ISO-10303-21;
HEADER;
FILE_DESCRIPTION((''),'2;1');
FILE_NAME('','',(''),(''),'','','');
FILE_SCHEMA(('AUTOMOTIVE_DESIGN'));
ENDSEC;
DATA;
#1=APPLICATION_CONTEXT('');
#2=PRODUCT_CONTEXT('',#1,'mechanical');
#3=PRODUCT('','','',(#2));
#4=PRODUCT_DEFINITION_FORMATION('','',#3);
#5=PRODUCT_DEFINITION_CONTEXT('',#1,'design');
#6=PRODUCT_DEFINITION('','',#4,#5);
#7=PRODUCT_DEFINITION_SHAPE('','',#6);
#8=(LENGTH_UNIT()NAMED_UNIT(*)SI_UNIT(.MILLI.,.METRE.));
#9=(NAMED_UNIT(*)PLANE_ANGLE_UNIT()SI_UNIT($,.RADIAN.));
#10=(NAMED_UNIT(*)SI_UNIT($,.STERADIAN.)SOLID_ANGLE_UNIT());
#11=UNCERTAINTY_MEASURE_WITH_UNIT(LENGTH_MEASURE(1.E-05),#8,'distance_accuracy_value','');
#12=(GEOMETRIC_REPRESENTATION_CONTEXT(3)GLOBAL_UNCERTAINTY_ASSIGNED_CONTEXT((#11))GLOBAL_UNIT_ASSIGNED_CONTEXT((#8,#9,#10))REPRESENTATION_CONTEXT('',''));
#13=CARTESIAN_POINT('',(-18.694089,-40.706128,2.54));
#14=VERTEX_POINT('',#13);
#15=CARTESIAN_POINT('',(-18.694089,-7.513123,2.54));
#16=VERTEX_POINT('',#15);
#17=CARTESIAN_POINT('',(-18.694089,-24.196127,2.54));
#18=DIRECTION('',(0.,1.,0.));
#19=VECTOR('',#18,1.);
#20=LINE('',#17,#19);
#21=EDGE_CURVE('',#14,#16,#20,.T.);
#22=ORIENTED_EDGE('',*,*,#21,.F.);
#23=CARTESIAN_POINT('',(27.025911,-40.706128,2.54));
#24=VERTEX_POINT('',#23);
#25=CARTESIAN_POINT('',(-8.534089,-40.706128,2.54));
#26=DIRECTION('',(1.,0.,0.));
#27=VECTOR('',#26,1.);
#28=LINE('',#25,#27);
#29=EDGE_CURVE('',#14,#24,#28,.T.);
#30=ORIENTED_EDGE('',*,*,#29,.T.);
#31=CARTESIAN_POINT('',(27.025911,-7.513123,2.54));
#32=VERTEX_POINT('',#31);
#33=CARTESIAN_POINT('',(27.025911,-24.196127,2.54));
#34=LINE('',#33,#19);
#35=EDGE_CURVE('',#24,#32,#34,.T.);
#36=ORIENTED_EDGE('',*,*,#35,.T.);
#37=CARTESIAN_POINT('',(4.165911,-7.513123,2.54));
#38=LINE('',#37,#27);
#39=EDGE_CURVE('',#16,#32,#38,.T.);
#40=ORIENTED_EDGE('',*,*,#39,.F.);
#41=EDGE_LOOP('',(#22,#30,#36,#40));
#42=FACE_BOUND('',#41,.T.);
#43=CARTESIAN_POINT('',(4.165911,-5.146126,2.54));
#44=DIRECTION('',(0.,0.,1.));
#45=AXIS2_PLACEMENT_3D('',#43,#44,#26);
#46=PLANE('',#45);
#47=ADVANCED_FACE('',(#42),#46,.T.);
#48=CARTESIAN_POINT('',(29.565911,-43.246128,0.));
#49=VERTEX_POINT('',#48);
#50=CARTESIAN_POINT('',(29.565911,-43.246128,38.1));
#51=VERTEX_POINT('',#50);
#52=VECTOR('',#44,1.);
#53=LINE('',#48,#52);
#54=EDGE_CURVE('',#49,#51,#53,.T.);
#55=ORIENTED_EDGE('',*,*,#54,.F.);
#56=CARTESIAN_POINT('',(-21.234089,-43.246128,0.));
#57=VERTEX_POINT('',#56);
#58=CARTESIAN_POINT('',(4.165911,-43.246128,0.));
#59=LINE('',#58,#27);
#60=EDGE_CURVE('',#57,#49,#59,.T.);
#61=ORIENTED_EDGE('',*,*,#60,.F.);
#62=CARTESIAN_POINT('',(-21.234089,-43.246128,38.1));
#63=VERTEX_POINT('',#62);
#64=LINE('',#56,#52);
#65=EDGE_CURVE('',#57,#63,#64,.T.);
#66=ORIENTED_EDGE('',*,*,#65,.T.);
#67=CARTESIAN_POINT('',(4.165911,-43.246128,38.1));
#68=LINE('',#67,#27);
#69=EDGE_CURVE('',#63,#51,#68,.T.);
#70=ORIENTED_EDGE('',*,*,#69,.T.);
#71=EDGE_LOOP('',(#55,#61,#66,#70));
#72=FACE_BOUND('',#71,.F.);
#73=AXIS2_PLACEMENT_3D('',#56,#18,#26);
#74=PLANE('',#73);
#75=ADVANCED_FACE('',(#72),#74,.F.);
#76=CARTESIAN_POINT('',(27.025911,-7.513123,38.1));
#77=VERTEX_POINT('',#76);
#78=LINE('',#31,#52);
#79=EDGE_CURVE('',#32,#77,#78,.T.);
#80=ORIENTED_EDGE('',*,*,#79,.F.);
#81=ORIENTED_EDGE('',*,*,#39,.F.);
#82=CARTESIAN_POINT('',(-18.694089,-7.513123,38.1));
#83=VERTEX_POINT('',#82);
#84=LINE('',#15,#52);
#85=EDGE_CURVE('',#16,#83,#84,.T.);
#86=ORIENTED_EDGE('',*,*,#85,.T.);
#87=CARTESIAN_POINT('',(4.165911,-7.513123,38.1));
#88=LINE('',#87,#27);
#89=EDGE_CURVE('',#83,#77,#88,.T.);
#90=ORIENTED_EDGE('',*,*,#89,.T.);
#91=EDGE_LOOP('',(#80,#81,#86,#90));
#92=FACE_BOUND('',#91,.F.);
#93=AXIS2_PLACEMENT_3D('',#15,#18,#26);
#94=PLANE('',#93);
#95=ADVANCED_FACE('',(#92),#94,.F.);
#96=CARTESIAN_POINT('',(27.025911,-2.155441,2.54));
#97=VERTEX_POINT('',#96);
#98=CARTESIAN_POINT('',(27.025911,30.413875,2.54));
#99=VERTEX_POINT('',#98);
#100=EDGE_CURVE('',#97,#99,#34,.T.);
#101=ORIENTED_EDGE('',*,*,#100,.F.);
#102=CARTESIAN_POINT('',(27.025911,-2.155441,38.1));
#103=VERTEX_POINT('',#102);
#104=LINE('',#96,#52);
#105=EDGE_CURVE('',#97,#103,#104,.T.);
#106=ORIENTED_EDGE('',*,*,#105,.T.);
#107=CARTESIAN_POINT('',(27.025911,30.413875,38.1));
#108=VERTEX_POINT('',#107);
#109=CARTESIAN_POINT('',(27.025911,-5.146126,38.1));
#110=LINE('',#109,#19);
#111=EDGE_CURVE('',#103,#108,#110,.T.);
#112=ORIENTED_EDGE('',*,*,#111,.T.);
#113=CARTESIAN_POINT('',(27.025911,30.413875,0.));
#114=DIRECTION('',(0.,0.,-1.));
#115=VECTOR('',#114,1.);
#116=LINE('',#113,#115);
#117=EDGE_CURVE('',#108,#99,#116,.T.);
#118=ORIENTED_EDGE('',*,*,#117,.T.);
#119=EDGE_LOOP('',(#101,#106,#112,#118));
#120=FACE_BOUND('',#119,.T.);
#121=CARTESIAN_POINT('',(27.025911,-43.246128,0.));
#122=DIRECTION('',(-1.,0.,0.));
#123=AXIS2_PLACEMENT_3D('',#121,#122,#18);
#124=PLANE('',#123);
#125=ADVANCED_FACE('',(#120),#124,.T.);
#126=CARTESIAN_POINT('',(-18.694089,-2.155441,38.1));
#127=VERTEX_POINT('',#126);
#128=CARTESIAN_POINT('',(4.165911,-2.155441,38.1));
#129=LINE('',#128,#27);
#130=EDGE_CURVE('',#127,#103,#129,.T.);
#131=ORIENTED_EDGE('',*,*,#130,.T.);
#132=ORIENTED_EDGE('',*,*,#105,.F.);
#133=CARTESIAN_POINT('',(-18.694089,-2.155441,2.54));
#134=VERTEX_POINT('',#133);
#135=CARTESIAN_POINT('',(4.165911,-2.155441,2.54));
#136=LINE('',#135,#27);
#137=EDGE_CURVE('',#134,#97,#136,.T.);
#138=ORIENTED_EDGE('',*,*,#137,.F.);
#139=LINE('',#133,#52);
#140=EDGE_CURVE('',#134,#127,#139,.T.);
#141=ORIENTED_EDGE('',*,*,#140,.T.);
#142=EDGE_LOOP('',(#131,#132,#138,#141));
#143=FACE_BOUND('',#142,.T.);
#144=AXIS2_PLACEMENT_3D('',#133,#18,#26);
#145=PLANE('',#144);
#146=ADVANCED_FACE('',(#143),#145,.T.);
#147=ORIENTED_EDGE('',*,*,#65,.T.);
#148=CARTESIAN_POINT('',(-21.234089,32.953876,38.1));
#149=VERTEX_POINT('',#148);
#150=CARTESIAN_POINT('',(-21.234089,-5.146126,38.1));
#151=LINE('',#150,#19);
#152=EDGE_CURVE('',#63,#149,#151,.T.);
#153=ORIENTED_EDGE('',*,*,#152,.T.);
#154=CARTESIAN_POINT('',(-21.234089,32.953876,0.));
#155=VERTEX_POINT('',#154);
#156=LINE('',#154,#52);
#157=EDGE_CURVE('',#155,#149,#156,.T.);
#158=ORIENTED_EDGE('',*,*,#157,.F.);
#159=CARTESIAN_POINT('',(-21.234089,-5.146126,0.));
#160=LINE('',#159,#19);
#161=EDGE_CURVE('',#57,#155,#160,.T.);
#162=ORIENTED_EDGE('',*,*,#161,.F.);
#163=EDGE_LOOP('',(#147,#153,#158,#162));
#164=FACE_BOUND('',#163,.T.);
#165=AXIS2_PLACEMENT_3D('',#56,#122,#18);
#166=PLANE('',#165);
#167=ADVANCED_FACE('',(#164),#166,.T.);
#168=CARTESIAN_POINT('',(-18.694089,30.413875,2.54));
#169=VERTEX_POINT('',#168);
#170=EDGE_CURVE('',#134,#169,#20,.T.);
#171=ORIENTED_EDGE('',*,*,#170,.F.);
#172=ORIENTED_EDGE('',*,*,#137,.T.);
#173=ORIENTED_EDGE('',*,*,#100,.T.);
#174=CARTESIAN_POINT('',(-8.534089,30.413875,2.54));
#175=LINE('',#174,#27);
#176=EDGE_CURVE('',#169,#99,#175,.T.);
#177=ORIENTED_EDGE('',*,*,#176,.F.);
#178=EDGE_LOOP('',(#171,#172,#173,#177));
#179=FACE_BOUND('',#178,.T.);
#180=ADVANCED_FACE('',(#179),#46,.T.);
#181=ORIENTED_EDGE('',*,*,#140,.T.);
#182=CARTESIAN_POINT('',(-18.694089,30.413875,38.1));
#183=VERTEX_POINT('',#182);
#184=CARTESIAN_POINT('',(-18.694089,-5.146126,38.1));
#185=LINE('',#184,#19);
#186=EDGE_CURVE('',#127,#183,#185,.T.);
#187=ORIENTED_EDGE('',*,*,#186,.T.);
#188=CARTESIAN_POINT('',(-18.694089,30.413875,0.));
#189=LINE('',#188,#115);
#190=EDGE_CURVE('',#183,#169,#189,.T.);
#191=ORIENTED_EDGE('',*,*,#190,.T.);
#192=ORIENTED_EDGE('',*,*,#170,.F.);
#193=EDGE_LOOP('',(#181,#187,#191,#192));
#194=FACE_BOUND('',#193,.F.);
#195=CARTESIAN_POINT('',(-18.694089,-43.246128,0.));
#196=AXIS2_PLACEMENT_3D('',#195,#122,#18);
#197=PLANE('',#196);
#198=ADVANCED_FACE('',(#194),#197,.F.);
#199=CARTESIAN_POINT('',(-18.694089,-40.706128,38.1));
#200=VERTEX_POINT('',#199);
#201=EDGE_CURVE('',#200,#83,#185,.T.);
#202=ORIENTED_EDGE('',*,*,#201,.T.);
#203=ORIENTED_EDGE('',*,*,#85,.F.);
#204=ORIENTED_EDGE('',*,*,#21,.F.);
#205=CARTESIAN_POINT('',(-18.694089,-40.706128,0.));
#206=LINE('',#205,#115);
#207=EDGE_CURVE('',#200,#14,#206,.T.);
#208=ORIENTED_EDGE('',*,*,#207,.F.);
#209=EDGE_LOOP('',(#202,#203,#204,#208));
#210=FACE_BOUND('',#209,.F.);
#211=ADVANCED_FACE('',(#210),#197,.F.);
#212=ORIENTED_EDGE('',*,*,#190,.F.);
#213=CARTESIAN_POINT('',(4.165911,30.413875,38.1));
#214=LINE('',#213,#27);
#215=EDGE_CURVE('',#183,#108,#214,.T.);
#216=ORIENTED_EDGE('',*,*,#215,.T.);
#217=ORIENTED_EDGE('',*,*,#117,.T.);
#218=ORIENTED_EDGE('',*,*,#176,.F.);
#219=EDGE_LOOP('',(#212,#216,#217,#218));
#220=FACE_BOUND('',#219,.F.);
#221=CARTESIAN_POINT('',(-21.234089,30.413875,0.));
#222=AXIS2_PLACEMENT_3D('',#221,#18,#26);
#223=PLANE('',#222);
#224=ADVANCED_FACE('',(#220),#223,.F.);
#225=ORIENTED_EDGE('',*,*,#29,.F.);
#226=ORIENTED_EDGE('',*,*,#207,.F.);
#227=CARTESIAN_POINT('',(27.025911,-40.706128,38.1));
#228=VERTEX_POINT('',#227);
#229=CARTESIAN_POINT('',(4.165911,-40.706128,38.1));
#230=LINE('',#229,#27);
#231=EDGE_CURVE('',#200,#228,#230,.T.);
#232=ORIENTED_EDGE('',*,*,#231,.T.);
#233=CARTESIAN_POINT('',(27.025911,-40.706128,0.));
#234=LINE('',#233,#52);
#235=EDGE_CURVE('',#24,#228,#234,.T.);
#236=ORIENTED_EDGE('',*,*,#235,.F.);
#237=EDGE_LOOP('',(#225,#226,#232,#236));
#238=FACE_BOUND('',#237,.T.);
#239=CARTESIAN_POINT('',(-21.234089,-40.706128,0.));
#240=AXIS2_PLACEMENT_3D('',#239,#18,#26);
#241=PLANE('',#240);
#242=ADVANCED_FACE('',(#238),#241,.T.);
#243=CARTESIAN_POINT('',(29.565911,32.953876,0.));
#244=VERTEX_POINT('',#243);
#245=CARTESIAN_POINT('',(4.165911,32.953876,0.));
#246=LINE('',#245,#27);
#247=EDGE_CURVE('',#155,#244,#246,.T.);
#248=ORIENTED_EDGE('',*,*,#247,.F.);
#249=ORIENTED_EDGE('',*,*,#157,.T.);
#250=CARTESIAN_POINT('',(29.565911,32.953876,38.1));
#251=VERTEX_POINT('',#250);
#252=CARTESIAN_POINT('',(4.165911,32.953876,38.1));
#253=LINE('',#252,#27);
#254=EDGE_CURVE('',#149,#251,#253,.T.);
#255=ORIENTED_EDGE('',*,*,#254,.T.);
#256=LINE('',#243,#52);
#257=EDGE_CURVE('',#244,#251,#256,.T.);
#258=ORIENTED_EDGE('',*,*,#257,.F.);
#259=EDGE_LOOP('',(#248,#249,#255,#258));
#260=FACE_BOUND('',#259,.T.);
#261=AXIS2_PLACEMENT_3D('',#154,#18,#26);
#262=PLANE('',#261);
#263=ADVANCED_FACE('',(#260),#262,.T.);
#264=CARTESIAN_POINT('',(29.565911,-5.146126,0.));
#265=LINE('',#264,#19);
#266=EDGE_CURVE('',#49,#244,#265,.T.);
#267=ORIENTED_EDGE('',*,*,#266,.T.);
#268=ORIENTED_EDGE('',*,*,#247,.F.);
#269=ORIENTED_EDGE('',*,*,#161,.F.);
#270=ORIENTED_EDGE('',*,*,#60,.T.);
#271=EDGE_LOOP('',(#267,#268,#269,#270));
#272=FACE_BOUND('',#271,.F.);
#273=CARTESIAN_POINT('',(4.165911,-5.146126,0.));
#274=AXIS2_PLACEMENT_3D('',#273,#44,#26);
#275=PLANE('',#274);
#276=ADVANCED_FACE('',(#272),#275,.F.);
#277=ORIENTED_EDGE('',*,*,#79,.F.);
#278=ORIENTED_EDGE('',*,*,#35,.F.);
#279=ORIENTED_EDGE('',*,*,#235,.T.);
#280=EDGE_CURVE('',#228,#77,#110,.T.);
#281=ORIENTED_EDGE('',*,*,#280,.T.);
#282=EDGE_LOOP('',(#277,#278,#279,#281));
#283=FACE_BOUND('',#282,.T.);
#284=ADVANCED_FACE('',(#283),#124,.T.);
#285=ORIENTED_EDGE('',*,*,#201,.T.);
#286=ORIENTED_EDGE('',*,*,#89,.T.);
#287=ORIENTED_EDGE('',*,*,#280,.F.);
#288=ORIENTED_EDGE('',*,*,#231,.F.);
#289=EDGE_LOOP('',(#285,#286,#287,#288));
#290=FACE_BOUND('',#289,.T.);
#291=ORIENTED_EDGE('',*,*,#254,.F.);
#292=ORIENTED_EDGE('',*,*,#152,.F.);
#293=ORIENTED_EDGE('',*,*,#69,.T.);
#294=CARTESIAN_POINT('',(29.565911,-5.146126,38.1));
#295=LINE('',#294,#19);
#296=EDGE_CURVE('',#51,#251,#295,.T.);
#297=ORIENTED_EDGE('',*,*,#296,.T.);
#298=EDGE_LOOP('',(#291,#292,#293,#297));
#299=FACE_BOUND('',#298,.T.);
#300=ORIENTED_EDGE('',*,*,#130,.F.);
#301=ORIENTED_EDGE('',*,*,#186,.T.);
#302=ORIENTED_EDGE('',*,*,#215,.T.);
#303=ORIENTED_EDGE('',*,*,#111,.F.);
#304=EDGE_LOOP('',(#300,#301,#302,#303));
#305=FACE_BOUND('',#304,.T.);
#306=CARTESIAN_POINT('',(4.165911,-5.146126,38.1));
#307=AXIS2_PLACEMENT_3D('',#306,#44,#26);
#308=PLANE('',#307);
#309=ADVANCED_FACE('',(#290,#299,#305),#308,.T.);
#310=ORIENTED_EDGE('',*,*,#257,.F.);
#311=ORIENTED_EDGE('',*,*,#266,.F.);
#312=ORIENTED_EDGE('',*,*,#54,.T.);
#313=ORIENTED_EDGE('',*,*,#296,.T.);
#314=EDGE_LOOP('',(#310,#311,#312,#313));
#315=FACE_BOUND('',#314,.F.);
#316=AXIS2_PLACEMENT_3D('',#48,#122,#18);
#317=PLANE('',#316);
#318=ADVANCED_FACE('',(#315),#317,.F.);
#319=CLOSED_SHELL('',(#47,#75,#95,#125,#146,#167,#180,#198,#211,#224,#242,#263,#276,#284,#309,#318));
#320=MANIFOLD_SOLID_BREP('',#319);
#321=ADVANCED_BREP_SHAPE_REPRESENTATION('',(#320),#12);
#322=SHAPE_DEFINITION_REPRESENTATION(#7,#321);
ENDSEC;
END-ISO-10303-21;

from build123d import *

# Parameters (mm, degrees)
F0_W     = 50.8
F0_H     = 76.200003
F1_DEPTH = 38.1
F2_T     = -2.54
F3_W     = 45.72
F3_H     = 2.990683
F3_H_2   = 2.366999
F4_DEPTH = 35.56


with BuildPart() as f1:
    # F0 (on Top) → F1 (new body)
    with BuildSketch(Plane.XY):
        with Locations((4.165911, -5.146126)):
            Rectangle(F0_W, F0_H)
    extrude(amount=F1_DEPTH)

    # F2
    f2_openings = [f1.faces().sort_by_distance(p)[0] for p in [
        (4.165911, -5.146125, 38.1),
    ]]
    offset(amount=F2_T, openings=f2_openings)

    # F3 (on face) → F4 (join)
    with BuildSketch(Plane.XY.offset(2.54)):
        with Locations((4.165911, -3.650783)):
            Rectangle(F3_W, F3_H)
        with Locations((4.165911, -6.329624)):
            Rectangle(F3_W, F3_H_2)
    extrude(amount=F4_DEPTH)


solid = f1.part
